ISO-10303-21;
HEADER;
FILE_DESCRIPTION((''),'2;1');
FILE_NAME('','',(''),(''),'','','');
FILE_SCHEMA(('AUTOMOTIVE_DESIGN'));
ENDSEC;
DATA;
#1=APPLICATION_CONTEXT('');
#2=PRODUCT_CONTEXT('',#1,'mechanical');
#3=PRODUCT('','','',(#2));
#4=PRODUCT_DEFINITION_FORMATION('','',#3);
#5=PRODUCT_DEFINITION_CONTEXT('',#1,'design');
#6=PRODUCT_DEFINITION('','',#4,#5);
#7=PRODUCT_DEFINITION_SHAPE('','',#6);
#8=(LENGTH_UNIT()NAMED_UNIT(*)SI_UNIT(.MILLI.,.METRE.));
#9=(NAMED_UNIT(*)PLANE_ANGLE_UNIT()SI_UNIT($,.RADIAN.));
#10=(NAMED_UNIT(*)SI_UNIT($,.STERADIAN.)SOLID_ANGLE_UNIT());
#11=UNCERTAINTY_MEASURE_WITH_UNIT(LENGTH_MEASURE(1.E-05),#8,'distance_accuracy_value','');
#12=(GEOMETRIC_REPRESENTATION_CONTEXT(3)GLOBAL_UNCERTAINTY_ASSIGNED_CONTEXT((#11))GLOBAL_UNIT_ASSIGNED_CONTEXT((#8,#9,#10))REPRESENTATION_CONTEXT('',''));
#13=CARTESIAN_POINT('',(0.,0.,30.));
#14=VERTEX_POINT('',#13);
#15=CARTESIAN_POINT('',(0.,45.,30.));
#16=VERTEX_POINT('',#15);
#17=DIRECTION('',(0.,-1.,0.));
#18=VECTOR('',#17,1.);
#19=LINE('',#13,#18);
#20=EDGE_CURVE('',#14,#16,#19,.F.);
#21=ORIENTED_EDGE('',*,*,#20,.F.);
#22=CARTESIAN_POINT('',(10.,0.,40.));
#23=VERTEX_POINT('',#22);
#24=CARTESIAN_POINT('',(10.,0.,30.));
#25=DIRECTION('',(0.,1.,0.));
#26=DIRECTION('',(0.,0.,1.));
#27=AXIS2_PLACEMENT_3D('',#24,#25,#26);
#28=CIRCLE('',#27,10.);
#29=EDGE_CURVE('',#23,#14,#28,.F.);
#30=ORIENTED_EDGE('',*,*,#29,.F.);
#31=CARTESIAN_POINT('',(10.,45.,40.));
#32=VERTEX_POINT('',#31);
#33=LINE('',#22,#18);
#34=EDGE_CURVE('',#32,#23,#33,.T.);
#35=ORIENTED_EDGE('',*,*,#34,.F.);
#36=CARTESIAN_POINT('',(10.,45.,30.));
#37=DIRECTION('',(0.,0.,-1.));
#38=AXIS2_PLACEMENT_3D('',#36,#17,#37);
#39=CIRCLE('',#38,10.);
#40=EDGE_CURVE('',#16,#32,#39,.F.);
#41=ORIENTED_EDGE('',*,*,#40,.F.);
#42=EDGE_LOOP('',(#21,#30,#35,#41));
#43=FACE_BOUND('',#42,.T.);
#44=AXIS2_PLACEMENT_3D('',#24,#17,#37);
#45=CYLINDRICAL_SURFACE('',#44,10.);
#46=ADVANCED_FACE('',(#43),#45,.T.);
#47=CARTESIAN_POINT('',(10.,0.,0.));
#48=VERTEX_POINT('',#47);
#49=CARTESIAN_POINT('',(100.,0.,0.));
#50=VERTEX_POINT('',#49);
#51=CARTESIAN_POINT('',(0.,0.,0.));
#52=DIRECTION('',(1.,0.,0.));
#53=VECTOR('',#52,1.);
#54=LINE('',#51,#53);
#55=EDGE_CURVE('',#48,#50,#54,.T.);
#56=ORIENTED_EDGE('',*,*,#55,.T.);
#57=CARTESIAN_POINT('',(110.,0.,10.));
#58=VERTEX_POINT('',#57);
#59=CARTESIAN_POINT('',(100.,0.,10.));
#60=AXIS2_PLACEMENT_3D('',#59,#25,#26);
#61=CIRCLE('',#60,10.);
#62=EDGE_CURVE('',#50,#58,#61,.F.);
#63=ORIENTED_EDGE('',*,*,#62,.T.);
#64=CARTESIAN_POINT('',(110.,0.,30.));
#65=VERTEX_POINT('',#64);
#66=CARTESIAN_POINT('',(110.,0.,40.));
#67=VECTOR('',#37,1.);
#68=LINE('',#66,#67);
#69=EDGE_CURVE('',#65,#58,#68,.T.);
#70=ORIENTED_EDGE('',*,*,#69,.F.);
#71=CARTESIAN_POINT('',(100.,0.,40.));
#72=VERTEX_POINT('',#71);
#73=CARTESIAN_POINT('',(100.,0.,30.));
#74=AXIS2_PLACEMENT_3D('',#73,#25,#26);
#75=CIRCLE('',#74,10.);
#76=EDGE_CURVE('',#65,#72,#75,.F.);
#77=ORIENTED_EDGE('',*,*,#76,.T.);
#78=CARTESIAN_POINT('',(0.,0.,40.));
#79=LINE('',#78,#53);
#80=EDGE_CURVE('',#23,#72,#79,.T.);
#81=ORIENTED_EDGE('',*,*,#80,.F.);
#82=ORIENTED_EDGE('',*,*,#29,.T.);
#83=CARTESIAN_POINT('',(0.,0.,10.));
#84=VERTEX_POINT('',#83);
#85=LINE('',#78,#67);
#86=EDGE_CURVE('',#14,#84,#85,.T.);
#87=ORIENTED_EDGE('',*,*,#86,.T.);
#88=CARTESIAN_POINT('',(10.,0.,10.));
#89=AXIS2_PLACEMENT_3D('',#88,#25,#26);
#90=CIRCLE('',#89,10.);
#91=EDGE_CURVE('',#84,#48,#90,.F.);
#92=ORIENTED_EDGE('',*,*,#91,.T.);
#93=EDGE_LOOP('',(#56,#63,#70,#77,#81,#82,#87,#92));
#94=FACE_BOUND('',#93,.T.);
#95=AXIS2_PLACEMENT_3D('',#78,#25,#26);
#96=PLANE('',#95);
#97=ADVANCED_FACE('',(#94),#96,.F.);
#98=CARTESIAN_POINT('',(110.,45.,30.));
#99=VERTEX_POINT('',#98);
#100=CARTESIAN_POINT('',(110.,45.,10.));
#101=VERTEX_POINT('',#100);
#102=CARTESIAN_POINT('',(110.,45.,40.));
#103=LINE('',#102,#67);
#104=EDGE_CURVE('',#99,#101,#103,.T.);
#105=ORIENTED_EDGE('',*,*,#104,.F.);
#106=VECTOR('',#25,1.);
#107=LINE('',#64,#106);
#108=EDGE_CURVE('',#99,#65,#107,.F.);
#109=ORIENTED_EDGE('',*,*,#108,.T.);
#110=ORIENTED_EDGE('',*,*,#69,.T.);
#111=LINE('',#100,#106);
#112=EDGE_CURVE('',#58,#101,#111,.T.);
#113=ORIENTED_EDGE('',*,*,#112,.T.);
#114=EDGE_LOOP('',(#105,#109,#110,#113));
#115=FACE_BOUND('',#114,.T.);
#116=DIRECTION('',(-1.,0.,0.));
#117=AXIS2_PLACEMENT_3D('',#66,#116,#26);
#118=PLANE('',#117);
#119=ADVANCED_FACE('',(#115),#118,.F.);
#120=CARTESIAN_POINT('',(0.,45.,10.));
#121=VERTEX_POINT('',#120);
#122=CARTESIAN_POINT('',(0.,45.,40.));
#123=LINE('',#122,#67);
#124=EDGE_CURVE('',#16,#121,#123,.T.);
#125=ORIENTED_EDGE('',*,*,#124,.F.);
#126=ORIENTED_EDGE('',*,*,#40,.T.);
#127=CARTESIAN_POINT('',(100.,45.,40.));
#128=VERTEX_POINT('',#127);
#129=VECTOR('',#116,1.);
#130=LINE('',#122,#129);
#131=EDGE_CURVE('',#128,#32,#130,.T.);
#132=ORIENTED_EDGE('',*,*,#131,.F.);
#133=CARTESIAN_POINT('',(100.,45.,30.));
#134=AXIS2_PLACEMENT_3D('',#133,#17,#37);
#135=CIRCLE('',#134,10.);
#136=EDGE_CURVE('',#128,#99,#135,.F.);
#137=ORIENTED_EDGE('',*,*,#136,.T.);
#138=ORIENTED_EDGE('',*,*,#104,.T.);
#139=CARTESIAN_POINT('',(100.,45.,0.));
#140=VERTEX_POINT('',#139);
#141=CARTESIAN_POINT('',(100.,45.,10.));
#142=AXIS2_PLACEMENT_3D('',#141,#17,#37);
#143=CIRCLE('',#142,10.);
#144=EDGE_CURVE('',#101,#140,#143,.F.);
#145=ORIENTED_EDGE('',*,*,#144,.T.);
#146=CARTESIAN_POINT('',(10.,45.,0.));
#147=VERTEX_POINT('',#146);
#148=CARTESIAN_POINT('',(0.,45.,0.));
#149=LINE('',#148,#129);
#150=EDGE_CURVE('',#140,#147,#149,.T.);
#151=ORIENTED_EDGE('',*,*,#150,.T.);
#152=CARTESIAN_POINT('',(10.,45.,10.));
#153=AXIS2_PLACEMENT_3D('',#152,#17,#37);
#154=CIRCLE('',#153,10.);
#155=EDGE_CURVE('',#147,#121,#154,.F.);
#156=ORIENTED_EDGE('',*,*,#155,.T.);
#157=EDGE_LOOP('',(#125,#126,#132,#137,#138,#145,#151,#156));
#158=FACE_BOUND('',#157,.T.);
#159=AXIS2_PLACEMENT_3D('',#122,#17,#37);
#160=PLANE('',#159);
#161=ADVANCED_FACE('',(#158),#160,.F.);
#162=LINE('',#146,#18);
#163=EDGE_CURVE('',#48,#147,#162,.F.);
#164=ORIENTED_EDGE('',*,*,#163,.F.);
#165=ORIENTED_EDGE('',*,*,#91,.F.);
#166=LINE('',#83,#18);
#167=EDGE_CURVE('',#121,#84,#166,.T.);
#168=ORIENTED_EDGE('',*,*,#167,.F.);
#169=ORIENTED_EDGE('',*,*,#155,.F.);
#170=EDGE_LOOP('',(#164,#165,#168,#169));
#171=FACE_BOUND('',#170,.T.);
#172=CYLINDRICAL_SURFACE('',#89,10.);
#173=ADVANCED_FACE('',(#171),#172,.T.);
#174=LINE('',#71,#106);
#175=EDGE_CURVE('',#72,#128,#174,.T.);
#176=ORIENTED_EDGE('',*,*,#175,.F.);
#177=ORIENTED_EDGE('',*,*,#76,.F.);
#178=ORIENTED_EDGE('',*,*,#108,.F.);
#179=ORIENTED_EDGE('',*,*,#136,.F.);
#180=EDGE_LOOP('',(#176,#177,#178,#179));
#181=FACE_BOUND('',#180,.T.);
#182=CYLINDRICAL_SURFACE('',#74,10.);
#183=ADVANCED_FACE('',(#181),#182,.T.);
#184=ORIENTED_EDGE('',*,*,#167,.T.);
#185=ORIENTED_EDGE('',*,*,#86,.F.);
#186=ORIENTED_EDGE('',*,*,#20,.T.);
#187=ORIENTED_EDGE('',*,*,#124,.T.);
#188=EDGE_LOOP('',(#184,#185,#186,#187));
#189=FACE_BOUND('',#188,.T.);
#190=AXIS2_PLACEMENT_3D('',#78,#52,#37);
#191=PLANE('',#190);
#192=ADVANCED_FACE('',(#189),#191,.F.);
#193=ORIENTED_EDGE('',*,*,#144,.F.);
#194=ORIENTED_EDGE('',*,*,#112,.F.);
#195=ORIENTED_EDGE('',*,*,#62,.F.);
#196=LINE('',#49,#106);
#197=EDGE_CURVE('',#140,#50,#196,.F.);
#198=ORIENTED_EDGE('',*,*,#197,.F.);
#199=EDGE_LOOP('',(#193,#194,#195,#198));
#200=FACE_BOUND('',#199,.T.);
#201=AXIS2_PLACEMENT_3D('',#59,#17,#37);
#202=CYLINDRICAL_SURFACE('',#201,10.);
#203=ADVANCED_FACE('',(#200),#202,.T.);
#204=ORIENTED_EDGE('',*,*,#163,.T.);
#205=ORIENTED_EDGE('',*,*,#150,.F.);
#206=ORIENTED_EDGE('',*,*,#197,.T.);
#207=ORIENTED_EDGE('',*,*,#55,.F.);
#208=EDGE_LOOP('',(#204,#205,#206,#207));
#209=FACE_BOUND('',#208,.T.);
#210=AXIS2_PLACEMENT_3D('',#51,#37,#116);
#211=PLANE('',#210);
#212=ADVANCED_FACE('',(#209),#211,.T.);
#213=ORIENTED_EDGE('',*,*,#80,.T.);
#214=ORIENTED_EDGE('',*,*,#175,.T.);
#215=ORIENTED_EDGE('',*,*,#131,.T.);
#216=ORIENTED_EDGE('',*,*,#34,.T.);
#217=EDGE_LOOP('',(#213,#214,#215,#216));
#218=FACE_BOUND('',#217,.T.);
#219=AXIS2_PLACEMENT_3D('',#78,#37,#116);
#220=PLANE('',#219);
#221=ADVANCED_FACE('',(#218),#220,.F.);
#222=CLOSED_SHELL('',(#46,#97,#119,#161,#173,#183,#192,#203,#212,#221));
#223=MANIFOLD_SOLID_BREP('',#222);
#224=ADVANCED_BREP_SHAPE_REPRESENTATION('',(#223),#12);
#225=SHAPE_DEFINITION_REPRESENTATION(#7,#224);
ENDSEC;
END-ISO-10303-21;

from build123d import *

# Parameters (mm, degrees)
ESQUISSE1_W        = 110
ESQUISSE1_H        = 45
BOSS_EXTRU_1_DEPTH = 40
CONG_1_R           = 10
CONG_2_R           = 10
CONG_3_R           = 10
CONG_4_R           = 10


with BuildPart() as part:
    # Esquisse1 → Boss.-Extru.1 (new body)
    with BuildSketch(Plane.XY):
        with Locations((55, 22.5)):
            Rectangle(ESQUISSE1_W, ESQUISSE1_H)
    extrude(amount=BOSS_EXTRU_1_DEPTH)

    # Congé1
    cong_1_edges = [part.edges().sort_by_distance(p)[0] for p in [
        (0, 22.5, 40),
    ]]
    fillet(cong_1_edges, radius=CONG_1_R)

    # Congé2
    cong_2_edges = [part.edges().sort_by_distance(p)[0] for p in [
        (110, 22.5, 40),
    ]]
    fillet(cong_2_edges, radius=CONG_2_R)

    # Congé3
    cong_3_edges = [part.edges().sort_by_distance(p)[0] for p in [
        (110, 22.5, 0),
    ]]
    fillet(cong_3_edges, radius=CONG_3_R)

    # Congé4
    cong_4_edges = [part.edges().sort_by_distance(p)[0] for p in [
        (0, 22.5, 0),
    ]]
    fillet(cong_4_edges, radius=CONG_4_R)


solid = part.part
